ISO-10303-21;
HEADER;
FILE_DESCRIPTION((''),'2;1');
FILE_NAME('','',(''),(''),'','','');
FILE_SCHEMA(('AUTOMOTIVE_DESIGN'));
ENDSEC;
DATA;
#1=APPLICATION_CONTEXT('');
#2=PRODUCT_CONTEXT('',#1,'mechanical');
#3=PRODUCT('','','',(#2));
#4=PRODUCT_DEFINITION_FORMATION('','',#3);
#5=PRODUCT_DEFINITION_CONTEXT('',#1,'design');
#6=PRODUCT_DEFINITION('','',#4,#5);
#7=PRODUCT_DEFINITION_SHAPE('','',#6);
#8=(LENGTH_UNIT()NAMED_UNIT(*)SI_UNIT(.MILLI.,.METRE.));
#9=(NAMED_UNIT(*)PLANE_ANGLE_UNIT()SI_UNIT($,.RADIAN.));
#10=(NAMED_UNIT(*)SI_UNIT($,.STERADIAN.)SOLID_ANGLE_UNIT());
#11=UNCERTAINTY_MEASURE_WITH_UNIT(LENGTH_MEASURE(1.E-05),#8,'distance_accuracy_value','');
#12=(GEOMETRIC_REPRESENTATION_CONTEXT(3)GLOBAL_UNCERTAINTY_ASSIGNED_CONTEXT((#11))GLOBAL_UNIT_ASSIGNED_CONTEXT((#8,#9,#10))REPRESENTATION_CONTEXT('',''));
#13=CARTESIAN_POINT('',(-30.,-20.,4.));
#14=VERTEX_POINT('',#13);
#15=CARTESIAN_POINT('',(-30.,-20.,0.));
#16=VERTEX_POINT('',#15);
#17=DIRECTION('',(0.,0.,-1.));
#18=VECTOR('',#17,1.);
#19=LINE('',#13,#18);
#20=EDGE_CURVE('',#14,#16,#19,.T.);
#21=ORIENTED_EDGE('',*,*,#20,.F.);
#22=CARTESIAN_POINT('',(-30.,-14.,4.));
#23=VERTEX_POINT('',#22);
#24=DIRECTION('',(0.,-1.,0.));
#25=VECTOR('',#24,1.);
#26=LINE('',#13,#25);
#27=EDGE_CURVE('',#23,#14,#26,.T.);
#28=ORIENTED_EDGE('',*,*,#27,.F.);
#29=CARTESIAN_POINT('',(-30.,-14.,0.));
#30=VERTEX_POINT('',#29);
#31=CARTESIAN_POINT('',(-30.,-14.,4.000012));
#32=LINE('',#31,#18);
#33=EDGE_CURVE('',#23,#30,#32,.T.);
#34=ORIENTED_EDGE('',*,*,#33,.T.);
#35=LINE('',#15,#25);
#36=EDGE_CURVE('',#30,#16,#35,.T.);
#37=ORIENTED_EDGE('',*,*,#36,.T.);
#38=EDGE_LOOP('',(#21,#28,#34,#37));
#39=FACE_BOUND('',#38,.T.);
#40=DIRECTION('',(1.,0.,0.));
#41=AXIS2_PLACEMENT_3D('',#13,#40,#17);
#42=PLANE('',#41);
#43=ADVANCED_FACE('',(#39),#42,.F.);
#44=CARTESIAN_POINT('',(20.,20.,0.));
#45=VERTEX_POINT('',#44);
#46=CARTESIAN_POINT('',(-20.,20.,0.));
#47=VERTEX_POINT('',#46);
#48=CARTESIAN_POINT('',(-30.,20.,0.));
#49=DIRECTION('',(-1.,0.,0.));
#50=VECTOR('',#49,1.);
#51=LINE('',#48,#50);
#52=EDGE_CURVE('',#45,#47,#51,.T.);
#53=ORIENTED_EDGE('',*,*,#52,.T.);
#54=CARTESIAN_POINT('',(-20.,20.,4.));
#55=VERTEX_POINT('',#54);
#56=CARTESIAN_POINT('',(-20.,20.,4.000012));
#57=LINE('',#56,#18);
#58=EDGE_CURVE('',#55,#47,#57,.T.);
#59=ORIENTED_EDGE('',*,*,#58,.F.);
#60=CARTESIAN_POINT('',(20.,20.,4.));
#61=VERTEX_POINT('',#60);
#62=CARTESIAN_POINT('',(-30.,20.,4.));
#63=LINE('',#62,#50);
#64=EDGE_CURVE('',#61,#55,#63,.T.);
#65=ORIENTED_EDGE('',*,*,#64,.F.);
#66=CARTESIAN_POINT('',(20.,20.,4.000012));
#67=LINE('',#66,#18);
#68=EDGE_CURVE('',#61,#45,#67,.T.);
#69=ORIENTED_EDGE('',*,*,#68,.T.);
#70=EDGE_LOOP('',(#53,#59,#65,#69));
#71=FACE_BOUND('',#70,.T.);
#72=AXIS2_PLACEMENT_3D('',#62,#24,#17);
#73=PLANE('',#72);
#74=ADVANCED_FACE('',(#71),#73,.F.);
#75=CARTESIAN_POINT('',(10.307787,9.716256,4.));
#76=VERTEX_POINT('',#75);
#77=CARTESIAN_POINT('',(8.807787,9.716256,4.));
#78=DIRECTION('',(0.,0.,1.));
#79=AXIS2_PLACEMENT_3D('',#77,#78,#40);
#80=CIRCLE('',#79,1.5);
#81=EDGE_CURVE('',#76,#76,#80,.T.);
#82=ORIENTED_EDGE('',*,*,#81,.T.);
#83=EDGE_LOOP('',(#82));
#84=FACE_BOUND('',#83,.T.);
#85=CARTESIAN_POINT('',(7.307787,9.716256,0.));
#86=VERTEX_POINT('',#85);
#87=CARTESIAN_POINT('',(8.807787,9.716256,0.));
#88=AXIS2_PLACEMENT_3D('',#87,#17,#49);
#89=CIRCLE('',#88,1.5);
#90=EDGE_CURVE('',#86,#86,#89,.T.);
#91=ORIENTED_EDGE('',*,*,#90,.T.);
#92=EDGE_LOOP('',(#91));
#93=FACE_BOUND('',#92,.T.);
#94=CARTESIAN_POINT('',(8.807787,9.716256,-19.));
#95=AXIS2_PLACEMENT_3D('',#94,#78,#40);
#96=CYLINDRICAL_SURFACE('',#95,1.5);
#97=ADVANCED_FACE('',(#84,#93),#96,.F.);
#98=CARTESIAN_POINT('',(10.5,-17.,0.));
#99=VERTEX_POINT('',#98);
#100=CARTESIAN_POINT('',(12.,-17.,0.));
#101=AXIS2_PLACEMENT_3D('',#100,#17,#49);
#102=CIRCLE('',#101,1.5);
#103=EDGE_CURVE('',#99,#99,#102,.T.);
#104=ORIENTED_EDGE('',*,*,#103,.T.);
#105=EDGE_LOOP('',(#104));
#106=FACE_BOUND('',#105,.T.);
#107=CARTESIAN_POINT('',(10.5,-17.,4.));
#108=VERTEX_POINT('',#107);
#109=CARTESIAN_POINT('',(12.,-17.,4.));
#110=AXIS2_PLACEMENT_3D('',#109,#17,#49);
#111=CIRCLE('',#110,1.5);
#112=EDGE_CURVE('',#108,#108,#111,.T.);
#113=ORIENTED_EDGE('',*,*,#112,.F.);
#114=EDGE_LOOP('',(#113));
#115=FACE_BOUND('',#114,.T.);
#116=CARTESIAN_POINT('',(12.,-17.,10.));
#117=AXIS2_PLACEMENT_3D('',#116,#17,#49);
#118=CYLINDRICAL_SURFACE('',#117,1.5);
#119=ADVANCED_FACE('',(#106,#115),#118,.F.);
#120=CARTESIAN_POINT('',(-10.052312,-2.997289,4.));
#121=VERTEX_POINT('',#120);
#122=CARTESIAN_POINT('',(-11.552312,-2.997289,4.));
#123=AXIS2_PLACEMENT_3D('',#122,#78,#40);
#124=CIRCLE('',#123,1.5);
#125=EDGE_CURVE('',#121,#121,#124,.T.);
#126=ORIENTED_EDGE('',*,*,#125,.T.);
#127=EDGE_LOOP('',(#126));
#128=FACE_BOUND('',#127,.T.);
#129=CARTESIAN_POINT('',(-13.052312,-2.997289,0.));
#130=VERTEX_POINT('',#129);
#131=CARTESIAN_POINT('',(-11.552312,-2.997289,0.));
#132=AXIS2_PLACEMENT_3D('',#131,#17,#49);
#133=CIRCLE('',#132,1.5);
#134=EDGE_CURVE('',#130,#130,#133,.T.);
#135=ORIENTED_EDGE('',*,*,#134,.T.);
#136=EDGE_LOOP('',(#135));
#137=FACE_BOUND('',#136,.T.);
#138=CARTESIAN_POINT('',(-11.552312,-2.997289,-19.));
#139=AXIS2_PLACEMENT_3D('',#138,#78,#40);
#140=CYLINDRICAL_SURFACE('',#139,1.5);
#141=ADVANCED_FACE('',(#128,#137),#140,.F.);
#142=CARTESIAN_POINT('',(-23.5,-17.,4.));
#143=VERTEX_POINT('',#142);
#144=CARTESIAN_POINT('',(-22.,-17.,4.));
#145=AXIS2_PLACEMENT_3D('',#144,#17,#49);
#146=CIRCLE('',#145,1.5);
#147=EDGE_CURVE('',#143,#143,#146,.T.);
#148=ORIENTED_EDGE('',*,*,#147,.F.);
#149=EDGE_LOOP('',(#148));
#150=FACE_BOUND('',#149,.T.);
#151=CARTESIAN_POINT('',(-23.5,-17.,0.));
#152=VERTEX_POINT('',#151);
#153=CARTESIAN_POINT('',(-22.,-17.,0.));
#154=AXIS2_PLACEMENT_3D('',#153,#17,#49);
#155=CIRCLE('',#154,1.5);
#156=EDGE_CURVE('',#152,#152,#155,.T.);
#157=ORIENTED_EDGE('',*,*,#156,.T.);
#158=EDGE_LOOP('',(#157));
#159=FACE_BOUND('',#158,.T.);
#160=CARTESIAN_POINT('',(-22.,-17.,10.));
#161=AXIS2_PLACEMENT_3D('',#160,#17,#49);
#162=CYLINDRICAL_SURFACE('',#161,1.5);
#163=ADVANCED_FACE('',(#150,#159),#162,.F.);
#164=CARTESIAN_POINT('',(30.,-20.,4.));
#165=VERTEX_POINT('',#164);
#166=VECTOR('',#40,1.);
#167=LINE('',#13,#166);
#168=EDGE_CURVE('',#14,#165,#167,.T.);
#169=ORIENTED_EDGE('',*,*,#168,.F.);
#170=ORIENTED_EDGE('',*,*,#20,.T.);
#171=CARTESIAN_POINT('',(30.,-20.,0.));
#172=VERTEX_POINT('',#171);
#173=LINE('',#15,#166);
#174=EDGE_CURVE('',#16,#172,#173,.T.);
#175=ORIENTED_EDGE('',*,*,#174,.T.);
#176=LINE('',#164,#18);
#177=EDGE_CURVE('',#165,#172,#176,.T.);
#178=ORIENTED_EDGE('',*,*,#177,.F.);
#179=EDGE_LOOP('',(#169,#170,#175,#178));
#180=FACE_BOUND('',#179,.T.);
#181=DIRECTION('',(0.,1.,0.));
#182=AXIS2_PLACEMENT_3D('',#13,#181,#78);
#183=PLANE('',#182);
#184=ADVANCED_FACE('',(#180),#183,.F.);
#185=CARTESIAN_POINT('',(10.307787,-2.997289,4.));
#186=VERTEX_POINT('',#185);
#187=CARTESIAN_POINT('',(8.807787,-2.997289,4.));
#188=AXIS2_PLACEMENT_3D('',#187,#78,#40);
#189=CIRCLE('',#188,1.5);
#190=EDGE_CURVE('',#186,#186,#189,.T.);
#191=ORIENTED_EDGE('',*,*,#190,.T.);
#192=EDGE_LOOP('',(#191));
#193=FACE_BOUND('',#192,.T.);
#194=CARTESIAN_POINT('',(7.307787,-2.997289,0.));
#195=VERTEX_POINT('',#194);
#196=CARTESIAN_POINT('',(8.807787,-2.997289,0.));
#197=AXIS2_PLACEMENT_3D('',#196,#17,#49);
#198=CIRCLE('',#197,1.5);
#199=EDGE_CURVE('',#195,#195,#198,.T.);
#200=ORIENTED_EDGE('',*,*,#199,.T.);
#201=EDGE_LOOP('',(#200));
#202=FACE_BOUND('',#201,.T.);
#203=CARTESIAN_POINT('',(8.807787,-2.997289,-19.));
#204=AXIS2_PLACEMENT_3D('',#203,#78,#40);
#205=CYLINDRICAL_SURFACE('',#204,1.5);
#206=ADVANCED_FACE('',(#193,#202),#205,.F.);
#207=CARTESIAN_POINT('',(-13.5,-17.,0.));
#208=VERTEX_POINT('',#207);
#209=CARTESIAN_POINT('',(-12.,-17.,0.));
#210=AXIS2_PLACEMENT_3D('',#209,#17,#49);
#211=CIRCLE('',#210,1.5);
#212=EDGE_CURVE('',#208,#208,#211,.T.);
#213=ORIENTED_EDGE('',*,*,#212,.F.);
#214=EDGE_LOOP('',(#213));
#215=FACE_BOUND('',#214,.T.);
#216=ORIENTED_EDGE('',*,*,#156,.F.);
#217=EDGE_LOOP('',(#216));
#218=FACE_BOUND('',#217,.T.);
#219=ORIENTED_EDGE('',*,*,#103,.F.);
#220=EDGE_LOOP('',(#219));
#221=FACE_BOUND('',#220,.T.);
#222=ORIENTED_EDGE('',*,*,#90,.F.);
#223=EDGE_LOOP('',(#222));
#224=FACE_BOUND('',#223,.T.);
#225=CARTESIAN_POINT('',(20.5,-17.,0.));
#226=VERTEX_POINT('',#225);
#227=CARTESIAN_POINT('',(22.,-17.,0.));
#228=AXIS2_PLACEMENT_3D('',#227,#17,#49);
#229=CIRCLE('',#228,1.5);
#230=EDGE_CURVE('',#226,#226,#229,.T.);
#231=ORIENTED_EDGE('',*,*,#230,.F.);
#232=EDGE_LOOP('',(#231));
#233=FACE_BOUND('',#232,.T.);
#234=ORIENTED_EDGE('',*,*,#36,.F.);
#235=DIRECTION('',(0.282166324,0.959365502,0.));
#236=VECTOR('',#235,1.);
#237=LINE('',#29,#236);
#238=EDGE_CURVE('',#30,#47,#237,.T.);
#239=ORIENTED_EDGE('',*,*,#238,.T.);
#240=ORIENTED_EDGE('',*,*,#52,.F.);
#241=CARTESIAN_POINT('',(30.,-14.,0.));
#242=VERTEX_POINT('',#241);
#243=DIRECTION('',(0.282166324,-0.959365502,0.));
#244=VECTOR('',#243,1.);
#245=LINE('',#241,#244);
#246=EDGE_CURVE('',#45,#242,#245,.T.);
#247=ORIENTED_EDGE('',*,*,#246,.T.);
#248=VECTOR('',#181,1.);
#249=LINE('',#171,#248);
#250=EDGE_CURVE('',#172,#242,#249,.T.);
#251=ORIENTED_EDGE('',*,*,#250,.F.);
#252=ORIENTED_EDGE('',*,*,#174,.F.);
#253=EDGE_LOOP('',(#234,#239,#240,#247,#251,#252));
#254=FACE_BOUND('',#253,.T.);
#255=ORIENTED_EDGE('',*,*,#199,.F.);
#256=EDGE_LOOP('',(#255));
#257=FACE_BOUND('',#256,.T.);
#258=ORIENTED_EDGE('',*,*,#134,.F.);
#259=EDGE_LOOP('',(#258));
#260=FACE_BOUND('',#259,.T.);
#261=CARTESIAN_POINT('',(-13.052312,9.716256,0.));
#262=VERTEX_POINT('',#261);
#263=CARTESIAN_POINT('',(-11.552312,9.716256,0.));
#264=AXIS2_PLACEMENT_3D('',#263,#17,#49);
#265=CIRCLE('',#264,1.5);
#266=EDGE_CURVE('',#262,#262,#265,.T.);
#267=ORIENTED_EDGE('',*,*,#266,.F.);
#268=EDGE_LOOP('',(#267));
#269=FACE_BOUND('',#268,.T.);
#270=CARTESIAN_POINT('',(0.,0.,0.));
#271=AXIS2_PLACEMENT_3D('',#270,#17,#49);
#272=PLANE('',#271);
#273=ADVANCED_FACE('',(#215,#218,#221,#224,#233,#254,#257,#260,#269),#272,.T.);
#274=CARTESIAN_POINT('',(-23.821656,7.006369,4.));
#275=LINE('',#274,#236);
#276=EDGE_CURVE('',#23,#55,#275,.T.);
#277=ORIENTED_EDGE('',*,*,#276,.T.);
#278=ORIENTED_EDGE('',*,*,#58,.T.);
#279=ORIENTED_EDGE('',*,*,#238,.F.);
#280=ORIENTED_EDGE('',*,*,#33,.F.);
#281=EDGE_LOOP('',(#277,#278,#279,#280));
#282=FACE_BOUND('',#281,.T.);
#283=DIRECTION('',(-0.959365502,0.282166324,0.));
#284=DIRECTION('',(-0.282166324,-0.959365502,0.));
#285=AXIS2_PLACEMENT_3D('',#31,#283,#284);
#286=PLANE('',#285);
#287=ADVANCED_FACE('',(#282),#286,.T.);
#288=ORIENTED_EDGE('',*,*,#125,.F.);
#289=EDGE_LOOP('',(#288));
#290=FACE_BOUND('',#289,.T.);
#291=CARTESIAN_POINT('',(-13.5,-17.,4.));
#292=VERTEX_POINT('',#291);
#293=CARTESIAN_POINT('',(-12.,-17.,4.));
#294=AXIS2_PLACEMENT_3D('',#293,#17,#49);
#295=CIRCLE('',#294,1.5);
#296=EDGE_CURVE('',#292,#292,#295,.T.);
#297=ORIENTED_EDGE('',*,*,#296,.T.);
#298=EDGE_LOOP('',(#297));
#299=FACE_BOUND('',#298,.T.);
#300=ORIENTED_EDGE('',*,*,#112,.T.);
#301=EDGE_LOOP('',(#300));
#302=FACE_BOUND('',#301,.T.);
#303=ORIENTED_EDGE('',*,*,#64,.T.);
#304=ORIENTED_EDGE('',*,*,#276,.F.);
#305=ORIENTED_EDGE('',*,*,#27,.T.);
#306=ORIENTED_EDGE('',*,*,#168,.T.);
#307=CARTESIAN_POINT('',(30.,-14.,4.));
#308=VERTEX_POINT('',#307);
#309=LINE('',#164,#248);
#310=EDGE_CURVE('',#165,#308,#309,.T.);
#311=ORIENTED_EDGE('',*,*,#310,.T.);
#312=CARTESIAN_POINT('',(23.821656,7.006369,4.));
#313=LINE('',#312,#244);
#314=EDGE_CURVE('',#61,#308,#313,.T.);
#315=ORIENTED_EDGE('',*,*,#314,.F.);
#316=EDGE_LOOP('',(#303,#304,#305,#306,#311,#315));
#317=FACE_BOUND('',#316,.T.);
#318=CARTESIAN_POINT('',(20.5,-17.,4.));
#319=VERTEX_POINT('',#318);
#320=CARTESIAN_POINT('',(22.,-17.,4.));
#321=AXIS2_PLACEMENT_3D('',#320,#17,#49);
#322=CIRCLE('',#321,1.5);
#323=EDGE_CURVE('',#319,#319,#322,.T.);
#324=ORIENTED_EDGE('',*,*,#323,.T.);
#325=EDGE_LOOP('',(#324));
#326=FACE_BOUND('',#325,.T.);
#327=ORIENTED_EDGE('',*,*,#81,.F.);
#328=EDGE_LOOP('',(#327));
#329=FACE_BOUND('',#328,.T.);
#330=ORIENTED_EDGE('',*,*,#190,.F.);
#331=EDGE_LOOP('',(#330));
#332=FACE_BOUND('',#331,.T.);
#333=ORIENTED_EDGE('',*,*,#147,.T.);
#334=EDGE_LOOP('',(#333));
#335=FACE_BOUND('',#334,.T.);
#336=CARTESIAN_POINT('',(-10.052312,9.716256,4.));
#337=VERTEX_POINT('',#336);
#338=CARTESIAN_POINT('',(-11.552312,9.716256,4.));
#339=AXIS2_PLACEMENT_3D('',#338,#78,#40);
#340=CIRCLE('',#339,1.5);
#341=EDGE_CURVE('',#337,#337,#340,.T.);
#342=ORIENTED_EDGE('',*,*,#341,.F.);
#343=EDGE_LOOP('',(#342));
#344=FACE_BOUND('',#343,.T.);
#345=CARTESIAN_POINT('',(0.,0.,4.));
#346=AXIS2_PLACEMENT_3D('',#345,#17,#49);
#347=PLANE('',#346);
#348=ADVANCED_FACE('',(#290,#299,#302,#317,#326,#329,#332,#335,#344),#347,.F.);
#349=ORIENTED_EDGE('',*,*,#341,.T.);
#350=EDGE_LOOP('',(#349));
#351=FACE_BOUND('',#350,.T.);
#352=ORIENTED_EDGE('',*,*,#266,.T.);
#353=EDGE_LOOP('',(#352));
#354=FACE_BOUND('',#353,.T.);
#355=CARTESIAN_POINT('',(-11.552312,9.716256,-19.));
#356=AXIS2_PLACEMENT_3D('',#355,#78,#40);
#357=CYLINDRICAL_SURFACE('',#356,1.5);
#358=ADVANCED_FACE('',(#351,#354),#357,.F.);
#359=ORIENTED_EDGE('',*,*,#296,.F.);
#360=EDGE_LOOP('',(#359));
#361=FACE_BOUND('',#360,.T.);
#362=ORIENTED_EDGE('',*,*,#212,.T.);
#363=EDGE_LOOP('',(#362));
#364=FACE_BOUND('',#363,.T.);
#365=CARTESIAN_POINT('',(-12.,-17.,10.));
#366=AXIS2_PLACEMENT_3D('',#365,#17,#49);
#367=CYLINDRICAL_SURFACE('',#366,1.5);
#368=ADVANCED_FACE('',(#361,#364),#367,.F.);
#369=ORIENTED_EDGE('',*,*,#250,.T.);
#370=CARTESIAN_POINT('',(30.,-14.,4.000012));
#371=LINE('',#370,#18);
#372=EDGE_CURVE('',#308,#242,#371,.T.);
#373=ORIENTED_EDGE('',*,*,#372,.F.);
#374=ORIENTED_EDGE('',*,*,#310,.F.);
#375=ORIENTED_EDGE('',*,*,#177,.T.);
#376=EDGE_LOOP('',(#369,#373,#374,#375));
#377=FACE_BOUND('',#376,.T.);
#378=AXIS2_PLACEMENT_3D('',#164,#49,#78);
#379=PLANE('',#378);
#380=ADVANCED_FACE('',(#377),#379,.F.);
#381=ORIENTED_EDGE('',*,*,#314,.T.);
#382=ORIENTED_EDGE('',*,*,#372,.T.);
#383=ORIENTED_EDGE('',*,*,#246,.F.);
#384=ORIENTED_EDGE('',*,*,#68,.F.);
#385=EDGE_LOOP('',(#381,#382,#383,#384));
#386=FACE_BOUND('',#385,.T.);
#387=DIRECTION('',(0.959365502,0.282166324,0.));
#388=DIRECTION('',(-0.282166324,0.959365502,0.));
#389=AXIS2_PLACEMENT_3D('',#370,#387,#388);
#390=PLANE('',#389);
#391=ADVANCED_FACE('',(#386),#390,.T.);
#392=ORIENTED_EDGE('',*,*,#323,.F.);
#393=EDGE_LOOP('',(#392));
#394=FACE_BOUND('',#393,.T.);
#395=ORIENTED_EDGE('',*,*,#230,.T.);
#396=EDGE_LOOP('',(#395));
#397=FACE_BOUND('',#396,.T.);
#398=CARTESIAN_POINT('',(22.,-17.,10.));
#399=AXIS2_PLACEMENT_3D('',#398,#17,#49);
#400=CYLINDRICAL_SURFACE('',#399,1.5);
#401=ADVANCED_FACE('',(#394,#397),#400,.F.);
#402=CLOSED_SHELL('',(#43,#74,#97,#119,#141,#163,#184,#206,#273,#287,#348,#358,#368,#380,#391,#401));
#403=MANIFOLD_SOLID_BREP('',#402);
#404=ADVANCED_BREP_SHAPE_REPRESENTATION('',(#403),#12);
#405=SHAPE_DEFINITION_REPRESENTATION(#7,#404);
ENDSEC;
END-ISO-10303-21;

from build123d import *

# Parameters (mm, degrees)
SKETCH_1_W               = 60
SKETCH_1_H               = 40
EXTRUDE_1_DEPTH          = 4
CUT_EXTRUDE_1_DEPTH      = 37.276714294
CUT_EXTRUDE_1_DEPTH_BACK = 4
SKETCH_4_R               = 1.5
CUT_EXTRUDE_2_DEPTH      = 10
SKETCH_5_R               = 1.5
CUT_EXTRUDE_3_DEPTH      = 23


with BuildPart() as part:
    # 草图1 → 凸台-拉伸1 (new body)
    with BuildSketch(Plane.XY):
        Rectangle(SKETCH_1_W, SKETCH_1_H)
    extrude(amount=EXTRUDE_1_DEPTH)

    # 草图3 → 切除-拉伸1 (cut, two sides: drawn at the far end of the back side and taken through both)
    with BuildSketch(Plane.XY.offset(4).offset(-CUT_EXTRUDE_1_DEPTH_BACK)):
        Polygon((-30, -14), (-20, 20), (-34.139231405, 23.424173554), (-38.463694215, 14.486950413), (-35.628768595, 5.021181818), (-34.139231405, -14), align=None)
        Polygon((35.628768595, 5.021181818), (34.139231405, -14), (30, -14), (20, 20), (34.139231405, 23.424173554), (38.463694215, 14.486950413), align=None)
    extrude(amount=CUT_EXTRUDE_1_DEPTH + CUT_EXTRUDE_1_DEPTH_BACK, mode=Mode.SUBTRACT)

    # 草图4 → 切除-拉伸2 (cut)
    with BuildSketch(Plane(origin=(0, 0, 0), x_dir=(-1, 0, 0), z_dir=(0, 0, -1))):
        with Locations((22, -17)):
            Circle(SKETCH_4_R)
        with Locations((12, -17)):
            Circle(SKETCH_4_R)
        with Locations((-12, -17)):
            Circle(SKETCH_4_R)
        with Locations((-22, -17)):
            Circle(SKETCH_4_R)
    extrude(amount=-CUT_EXTRUDE_2_DEPTH, mode=Mode.SUBTRACT)

    # 草图5 → 切除-拉伸3 (cut)
    with BuildSketch(Plane.XY.offset(4)):
        with Locations((-11.552312048, -2.99728939)):
            Circle(SKETCH_5_R)
        with Locations((-11.552312048, 9.716256449)):
            Circle(SKETCH_5_R)
        with Locations((8.807786724, -2.99728939)):
            Circle(SKETCH_5_R)
        with Locations((8.807786724, 9.716256449)):
            Circle(SKETCH_5_R)
    extrude(amount=-CUT_EXTRUDE_3_DEPTH, mode=Mode.SUBTRACT)


solid = part.part
